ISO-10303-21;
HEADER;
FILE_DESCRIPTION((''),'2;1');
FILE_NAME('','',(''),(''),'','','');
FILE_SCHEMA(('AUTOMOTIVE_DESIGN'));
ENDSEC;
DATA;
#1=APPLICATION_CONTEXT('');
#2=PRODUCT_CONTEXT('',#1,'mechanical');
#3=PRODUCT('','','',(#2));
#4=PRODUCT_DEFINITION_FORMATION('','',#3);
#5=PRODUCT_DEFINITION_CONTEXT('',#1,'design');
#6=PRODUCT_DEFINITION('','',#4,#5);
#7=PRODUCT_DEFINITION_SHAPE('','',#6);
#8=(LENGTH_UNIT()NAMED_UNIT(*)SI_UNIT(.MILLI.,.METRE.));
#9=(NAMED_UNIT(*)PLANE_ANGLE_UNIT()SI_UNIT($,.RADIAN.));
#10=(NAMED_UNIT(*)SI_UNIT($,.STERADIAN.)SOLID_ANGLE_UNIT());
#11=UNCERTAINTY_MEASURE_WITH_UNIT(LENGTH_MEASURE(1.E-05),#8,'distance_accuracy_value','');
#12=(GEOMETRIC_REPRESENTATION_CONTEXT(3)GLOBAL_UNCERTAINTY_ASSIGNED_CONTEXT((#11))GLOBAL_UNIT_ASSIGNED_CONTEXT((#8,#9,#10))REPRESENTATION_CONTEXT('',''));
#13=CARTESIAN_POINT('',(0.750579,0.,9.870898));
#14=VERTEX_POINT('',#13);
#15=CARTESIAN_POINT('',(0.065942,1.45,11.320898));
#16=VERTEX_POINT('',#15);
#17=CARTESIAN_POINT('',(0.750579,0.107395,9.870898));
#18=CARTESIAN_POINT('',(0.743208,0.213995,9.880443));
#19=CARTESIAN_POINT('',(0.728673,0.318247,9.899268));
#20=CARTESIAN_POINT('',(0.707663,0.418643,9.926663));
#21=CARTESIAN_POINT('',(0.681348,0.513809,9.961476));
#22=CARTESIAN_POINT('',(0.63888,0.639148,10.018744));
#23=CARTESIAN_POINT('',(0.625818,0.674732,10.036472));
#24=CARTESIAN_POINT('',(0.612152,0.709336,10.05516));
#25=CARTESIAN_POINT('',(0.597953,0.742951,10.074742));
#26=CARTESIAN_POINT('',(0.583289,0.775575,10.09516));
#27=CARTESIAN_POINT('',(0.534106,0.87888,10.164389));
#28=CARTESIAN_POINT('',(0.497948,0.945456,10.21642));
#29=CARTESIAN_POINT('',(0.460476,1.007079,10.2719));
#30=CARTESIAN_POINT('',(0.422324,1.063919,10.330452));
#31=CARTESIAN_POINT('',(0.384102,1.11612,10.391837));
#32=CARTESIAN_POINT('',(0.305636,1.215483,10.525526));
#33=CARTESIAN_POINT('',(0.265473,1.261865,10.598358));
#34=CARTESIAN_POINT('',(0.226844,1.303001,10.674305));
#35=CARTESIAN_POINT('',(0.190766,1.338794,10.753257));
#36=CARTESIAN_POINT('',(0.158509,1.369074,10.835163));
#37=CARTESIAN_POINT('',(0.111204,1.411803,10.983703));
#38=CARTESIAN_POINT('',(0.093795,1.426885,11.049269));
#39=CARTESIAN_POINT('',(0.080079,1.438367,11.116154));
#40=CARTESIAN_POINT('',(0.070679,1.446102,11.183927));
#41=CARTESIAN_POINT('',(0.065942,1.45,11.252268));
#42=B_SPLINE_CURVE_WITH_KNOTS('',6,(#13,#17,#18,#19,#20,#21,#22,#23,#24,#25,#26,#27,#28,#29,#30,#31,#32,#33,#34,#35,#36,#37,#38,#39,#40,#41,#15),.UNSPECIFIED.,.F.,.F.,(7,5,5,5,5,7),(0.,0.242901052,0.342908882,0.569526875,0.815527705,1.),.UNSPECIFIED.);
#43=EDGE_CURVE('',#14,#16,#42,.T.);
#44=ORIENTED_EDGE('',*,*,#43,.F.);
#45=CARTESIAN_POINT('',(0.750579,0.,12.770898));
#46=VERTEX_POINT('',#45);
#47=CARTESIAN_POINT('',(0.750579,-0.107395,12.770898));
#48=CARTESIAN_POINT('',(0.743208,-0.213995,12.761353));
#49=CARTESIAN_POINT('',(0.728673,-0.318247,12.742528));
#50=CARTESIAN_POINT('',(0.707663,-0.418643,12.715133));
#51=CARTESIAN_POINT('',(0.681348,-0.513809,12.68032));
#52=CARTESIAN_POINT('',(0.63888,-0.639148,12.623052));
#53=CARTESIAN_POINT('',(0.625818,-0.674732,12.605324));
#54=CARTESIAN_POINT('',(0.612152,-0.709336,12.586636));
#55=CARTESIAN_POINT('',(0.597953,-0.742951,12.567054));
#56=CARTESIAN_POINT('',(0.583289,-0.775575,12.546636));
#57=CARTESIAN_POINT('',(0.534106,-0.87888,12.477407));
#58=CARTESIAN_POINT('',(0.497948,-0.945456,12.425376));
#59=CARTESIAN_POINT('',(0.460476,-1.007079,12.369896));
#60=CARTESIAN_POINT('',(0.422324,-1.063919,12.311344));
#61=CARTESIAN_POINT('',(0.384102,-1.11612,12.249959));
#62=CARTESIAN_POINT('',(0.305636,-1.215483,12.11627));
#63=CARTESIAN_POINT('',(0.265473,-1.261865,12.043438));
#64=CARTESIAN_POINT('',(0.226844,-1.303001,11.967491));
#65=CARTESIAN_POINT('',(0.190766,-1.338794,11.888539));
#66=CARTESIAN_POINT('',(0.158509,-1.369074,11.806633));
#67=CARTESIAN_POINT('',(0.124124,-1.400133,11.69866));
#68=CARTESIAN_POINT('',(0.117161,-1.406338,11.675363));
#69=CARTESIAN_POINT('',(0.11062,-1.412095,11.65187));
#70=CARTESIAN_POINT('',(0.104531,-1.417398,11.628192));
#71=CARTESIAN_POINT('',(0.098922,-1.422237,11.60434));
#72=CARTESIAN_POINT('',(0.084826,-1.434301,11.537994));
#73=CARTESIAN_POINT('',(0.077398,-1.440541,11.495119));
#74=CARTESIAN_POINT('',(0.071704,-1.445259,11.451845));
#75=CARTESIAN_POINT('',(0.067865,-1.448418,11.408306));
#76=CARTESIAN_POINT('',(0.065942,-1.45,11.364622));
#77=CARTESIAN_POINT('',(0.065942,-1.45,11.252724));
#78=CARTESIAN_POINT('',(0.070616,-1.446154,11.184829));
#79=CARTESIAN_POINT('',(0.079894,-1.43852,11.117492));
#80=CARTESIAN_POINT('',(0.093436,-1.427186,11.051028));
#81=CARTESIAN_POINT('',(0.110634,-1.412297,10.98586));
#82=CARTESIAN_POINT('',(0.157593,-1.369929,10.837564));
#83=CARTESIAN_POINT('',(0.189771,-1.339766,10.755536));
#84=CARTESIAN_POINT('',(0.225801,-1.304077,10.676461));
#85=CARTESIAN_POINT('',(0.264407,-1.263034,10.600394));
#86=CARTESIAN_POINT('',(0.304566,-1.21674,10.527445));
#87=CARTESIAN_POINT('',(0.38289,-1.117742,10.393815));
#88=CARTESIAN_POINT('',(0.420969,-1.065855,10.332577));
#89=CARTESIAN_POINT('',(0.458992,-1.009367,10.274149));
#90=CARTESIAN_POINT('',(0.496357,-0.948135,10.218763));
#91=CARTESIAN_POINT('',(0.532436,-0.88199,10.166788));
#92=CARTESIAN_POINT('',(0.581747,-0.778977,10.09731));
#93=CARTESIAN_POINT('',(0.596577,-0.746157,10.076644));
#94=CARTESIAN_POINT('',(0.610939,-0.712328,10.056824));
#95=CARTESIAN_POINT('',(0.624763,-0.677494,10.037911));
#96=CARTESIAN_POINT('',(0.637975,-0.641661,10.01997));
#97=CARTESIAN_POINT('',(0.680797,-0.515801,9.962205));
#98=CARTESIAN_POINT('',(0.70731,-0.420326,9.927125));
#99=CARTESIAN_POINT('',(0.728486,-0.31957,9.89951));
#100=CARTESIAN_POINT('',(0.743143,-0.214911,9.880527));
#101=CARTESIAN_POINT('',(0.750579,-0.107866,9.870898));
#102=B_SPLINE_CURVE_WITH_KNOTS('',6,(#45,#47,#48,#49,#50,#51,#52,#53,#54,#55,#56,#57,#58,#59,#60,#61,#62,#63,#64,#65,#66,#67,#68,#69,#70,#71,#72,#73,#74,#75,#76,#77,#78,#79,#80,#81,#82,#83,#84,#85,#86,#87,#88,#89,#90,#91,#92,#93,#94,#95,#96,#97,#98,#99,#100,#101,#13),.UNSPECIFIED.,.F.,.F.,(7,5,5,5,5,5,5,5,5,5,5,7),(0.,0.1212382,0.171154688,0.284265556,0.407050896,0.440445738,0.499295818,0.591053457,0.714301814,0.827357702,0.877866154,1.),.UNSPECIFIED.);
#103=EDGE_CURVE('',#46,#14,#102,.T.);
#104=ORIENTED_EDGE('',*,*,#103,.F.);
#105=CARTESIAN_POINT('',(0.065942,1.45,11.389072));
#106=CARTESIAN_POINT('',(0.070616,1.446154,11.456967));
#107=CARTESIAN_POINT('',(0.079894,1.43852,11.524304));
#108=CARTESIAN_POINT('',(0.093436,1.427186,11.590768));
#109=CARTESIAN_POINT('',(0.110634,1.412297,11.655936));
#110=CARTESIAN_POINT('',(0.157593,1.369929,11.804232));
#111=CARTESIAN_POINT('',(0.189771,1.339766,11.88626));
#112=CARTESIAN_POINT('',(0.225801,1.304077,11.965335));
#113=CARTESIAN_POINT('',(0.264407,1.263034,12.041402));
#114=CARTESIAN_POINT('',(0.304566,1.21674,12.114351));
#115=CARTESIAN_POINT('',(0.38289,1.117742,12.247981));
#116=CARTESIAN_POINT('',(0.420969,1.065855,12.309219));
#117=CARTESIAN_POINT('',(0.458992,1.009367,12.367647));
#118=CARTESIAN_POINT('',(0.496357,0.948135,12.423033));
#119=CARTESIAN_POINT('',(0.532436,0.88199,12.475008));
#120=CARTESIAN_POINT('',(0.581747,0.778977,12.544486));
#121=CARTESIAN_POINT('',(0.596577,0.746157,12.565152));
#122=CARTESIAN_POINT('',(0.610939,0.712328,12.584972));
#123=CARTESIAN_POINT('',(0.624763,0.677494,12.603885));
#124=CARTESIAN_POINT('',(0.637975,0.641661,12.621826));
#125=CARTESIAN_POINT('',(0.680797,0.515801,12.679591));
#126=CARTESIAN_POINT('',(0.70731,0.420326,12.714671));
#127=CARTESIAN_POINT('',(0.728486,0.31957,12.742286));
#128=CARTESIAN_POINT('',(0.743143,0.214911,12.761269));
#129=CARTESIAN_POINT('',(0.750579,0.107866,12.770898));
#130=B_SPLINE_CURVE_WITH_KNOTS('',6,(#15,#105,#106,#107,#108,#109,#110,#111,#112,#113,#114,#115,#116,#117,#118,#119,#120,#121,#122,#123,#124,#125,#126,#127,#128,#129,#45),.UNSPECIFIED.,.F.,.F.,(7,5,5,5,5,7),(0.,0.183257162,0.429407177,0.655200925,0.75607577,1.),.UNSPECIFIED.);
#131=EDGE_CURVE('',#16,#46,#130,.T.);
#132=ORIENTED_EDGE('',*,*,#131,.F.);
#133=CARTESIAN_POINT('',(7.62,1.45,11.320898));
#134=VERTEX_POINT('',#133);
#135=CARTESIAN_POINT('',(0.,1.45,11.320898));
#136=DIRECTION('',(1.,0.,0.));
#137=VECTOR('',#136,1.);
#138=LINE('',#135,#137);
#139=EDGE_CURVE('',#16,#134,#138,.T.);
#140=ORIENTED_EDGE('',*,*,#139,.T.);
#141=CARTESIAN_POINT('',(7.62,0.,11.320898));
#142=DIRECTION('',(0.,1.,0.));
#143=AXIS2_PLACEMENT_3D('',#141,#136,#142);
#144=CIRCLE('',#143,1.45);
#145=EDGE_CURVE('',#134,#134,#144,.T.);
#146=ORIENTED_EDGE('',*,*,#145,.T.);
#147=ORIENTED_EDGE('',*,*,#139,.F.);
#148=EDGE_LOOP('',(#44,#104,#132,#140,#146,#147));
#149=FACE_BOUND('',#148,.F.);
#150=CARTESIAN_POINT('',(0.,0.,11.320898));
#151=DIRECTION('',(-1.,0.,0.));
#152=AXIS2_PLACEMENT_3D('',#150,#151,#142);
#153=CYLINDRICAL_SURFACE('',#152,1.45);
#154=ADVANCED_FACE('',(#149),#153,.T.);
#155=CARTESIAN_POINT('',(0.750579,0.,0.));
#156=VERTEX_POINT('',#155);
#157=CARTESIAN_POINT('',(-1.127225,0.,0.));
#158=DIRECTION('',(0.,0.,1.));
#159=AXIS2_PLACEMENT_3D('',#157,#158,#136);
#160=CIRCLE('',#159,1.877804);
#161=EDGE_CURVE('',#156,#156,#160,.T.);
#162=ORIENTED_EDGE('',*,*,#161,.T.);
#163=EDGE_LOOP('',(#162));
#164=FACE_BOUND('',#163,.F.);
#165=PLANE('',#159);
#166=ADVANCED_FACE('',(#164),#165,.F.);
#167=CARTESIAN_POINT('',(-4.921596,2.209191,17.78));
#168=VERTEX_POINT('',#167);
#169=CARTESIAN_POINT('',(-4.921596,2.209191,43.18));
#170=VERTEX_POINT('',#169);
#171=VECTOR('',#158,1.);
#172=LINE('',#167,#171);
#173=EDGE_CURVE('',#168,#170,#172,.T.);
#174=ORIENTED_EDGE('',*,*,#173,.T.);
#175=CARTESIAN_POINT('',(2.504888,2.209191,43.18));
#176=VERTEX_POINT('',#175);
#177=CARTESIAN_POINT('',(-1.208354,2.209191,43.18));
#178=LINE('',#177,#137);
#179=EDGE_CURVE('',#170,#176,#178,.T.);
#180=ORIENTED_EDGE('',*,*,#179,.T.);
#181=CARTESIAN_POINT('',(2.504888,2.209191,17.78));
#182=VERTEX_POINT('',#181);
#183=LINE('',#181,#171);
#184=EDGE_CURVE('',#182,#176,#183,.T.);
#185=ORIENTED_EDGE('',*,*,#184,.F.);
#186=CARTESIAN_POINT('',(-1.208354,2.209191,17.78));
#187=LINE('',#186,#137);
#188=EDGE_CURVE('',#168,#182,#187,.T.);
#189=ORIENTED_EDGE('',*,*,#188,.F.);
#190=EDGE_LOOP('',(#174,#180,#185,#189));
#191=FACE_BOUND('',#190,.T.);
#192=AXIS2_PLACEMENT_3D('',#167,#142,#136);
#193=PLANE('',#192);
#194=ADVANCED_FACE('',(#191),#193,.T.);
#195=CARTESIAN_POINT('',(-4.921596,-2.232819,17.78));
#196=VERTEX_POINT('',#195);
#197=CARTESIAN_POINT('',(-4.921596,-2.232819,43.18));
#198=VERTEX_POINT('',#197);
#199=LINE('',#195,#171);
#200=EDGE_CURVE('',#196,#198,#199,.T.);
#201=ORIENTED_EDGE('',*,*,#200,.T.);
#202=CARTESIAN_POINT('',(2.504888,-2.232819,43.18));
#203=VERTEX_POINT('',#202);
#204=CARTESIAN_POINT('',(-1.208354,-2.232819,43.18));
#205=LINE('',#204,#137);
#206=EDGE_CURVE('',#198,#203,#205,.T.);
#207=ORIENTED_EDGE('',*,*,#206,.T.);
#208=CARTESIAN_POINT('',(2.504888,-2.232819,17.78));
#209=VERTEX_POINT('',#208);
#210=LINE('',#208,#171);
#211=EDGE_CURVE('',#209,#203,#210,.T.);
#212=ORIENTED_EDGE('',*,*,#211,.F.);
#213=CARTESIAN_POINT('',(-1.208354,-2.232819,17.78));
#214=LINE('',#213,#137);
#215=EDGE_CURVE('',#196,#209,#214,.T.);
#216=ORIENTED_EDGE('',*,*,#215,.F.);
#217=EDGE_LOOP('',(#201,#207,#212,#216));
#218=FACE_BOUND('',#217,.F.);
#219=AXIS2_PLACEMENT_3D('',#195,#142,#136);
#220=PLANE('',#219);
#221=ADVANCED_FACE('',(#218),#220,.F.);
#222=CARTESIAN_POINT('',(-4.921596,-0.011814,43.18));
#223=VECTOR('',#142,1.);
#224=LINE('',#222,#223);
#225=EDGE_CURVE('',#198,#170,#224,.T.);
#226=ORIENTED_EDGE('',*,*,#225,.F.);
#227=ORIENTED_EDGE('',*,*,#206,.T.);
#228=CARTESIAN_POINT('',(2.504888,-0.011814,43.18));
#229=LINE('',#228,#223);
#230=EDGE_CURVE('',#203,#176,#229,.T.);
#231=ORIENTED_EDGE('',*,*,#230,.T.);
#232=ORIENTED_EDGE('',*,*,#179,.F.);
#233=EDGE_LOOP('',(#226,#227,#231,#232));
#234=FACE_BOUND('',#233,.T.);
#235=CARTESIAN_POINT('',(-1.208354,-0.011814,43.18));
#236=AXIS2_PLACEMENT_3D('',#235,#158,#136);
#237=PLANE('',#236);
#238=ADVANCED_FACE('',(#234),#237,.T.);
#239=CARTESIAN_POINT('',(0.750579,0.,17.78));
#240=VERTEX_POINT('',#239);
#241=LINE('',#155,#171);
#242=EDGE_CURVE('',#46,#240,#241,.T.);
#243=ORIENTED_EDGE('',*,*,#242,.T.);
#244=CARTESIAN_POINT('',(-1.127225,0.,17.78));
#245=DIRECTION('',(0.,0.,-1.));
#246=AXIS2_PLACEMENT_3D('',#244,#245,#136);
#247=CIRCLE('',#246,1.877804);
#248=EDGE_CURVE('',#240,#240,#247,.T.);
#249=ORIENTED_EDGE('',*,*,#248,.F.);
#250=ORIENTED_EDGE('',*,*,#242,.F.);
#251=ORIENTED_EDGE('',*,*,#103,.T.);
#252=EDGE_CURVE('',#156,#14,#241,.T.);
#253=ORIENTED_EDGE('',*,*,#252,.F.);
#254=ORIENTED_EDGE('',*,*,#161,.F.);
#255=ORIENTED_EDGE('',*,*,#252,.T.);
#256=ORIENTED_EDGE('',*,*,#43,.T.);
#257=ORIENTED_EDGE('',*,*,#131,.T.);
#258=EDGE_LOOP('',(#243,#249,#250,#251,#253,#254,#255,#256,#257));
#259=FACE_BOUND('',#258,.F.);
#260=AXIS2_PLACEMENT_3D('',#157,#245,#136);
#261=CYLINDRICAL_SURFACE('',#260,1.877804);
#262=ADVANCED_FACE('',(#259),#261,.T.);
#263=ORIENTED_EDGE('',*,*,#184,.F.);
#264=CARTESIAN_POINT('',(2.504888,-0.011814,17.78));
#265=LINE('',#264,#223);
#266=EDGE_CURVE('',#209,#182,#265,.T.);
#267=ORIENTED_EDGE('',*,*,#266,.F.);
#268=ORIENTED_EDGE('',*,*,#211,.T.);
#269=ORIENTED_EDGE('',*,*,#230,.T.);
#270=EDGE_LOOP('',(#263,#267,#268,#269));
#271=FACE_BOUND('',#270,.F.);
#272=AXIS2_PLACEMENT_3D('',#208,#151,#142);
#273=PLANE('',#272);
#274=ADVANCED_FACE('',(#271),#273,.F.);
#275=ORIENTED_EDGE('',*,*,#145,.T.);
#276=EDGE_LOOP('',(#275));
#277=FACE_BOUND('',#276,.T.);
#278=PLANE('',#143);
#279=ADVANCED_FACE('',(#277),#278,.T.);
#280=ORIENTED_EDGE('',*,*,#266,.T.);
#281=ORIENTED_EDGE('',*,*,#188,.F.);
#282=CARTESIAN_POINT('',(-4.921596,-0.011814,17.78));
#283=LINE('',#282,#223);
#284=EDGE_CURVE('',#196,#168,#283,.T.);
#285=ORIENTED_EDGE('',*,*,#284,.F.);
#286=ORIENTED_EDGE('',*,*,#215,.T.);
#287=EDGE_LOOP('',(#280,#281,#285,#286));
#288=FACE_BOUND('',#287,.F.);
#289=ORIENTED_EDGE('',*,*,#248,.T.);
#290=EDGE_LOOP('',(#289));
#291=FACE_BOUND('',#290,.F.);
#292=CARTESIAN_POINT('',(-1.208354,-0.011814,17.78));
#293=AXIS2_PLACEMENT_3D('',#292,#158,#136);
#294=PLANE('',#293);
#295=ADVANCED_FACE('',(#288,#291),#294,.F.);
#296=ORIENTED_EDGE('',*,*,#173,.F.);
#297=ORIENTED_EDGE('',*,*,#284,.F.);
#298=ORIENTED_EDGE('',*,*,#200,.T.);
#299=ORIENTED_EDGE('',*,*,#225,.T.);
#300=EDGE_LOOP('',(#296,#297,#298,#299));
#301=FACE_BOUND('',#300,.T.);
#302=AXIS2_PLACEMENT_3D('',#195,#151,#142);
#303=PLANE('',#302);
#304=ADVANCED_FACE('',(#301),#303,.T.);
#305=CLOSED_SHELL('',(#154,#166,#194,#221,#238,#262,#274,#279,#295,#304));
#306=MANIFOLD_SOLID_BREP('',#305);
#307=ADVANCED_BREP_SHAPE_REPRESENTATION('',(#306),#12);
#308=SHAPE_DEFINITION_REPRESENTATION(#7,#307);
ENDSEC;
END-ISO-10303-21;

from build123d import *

# Parameters (mm, degrees)
F0_R     = 1.45
F1_DEPTH = 7.62
F2_R     = 1.877804
F3_DEPTH = 25.4
F5_W     = 7.426485
F5_H     = 4.44201
F6_DEPTH = 25.4


with BuildPart() as f1:
    # F0 (on Right) → F1 (new body)
    with BuildSketch(Plane.YZ):
        with Locations((0, 11.320898)):
            Circle(F0_R)
    extrude(amount=F1_DEPTH)

    # F2 (on Top) → F3 (join)
    with BuildSketch(Plane.XY):
        with Locations((-1.127225, 0)):
            Circle(F2_R)
    extrude(amount=F3_DEPTH)

    # F5 (on offset) → F6 (join)
    with BuildSketch(Plane.XY.offset(17.78)):
        with Locations((-1.208354, -0.011814)):
            Rectangle(F5_W, F5_H)
    extrude(amount=F6_DEPTH)


solid = f1.part
